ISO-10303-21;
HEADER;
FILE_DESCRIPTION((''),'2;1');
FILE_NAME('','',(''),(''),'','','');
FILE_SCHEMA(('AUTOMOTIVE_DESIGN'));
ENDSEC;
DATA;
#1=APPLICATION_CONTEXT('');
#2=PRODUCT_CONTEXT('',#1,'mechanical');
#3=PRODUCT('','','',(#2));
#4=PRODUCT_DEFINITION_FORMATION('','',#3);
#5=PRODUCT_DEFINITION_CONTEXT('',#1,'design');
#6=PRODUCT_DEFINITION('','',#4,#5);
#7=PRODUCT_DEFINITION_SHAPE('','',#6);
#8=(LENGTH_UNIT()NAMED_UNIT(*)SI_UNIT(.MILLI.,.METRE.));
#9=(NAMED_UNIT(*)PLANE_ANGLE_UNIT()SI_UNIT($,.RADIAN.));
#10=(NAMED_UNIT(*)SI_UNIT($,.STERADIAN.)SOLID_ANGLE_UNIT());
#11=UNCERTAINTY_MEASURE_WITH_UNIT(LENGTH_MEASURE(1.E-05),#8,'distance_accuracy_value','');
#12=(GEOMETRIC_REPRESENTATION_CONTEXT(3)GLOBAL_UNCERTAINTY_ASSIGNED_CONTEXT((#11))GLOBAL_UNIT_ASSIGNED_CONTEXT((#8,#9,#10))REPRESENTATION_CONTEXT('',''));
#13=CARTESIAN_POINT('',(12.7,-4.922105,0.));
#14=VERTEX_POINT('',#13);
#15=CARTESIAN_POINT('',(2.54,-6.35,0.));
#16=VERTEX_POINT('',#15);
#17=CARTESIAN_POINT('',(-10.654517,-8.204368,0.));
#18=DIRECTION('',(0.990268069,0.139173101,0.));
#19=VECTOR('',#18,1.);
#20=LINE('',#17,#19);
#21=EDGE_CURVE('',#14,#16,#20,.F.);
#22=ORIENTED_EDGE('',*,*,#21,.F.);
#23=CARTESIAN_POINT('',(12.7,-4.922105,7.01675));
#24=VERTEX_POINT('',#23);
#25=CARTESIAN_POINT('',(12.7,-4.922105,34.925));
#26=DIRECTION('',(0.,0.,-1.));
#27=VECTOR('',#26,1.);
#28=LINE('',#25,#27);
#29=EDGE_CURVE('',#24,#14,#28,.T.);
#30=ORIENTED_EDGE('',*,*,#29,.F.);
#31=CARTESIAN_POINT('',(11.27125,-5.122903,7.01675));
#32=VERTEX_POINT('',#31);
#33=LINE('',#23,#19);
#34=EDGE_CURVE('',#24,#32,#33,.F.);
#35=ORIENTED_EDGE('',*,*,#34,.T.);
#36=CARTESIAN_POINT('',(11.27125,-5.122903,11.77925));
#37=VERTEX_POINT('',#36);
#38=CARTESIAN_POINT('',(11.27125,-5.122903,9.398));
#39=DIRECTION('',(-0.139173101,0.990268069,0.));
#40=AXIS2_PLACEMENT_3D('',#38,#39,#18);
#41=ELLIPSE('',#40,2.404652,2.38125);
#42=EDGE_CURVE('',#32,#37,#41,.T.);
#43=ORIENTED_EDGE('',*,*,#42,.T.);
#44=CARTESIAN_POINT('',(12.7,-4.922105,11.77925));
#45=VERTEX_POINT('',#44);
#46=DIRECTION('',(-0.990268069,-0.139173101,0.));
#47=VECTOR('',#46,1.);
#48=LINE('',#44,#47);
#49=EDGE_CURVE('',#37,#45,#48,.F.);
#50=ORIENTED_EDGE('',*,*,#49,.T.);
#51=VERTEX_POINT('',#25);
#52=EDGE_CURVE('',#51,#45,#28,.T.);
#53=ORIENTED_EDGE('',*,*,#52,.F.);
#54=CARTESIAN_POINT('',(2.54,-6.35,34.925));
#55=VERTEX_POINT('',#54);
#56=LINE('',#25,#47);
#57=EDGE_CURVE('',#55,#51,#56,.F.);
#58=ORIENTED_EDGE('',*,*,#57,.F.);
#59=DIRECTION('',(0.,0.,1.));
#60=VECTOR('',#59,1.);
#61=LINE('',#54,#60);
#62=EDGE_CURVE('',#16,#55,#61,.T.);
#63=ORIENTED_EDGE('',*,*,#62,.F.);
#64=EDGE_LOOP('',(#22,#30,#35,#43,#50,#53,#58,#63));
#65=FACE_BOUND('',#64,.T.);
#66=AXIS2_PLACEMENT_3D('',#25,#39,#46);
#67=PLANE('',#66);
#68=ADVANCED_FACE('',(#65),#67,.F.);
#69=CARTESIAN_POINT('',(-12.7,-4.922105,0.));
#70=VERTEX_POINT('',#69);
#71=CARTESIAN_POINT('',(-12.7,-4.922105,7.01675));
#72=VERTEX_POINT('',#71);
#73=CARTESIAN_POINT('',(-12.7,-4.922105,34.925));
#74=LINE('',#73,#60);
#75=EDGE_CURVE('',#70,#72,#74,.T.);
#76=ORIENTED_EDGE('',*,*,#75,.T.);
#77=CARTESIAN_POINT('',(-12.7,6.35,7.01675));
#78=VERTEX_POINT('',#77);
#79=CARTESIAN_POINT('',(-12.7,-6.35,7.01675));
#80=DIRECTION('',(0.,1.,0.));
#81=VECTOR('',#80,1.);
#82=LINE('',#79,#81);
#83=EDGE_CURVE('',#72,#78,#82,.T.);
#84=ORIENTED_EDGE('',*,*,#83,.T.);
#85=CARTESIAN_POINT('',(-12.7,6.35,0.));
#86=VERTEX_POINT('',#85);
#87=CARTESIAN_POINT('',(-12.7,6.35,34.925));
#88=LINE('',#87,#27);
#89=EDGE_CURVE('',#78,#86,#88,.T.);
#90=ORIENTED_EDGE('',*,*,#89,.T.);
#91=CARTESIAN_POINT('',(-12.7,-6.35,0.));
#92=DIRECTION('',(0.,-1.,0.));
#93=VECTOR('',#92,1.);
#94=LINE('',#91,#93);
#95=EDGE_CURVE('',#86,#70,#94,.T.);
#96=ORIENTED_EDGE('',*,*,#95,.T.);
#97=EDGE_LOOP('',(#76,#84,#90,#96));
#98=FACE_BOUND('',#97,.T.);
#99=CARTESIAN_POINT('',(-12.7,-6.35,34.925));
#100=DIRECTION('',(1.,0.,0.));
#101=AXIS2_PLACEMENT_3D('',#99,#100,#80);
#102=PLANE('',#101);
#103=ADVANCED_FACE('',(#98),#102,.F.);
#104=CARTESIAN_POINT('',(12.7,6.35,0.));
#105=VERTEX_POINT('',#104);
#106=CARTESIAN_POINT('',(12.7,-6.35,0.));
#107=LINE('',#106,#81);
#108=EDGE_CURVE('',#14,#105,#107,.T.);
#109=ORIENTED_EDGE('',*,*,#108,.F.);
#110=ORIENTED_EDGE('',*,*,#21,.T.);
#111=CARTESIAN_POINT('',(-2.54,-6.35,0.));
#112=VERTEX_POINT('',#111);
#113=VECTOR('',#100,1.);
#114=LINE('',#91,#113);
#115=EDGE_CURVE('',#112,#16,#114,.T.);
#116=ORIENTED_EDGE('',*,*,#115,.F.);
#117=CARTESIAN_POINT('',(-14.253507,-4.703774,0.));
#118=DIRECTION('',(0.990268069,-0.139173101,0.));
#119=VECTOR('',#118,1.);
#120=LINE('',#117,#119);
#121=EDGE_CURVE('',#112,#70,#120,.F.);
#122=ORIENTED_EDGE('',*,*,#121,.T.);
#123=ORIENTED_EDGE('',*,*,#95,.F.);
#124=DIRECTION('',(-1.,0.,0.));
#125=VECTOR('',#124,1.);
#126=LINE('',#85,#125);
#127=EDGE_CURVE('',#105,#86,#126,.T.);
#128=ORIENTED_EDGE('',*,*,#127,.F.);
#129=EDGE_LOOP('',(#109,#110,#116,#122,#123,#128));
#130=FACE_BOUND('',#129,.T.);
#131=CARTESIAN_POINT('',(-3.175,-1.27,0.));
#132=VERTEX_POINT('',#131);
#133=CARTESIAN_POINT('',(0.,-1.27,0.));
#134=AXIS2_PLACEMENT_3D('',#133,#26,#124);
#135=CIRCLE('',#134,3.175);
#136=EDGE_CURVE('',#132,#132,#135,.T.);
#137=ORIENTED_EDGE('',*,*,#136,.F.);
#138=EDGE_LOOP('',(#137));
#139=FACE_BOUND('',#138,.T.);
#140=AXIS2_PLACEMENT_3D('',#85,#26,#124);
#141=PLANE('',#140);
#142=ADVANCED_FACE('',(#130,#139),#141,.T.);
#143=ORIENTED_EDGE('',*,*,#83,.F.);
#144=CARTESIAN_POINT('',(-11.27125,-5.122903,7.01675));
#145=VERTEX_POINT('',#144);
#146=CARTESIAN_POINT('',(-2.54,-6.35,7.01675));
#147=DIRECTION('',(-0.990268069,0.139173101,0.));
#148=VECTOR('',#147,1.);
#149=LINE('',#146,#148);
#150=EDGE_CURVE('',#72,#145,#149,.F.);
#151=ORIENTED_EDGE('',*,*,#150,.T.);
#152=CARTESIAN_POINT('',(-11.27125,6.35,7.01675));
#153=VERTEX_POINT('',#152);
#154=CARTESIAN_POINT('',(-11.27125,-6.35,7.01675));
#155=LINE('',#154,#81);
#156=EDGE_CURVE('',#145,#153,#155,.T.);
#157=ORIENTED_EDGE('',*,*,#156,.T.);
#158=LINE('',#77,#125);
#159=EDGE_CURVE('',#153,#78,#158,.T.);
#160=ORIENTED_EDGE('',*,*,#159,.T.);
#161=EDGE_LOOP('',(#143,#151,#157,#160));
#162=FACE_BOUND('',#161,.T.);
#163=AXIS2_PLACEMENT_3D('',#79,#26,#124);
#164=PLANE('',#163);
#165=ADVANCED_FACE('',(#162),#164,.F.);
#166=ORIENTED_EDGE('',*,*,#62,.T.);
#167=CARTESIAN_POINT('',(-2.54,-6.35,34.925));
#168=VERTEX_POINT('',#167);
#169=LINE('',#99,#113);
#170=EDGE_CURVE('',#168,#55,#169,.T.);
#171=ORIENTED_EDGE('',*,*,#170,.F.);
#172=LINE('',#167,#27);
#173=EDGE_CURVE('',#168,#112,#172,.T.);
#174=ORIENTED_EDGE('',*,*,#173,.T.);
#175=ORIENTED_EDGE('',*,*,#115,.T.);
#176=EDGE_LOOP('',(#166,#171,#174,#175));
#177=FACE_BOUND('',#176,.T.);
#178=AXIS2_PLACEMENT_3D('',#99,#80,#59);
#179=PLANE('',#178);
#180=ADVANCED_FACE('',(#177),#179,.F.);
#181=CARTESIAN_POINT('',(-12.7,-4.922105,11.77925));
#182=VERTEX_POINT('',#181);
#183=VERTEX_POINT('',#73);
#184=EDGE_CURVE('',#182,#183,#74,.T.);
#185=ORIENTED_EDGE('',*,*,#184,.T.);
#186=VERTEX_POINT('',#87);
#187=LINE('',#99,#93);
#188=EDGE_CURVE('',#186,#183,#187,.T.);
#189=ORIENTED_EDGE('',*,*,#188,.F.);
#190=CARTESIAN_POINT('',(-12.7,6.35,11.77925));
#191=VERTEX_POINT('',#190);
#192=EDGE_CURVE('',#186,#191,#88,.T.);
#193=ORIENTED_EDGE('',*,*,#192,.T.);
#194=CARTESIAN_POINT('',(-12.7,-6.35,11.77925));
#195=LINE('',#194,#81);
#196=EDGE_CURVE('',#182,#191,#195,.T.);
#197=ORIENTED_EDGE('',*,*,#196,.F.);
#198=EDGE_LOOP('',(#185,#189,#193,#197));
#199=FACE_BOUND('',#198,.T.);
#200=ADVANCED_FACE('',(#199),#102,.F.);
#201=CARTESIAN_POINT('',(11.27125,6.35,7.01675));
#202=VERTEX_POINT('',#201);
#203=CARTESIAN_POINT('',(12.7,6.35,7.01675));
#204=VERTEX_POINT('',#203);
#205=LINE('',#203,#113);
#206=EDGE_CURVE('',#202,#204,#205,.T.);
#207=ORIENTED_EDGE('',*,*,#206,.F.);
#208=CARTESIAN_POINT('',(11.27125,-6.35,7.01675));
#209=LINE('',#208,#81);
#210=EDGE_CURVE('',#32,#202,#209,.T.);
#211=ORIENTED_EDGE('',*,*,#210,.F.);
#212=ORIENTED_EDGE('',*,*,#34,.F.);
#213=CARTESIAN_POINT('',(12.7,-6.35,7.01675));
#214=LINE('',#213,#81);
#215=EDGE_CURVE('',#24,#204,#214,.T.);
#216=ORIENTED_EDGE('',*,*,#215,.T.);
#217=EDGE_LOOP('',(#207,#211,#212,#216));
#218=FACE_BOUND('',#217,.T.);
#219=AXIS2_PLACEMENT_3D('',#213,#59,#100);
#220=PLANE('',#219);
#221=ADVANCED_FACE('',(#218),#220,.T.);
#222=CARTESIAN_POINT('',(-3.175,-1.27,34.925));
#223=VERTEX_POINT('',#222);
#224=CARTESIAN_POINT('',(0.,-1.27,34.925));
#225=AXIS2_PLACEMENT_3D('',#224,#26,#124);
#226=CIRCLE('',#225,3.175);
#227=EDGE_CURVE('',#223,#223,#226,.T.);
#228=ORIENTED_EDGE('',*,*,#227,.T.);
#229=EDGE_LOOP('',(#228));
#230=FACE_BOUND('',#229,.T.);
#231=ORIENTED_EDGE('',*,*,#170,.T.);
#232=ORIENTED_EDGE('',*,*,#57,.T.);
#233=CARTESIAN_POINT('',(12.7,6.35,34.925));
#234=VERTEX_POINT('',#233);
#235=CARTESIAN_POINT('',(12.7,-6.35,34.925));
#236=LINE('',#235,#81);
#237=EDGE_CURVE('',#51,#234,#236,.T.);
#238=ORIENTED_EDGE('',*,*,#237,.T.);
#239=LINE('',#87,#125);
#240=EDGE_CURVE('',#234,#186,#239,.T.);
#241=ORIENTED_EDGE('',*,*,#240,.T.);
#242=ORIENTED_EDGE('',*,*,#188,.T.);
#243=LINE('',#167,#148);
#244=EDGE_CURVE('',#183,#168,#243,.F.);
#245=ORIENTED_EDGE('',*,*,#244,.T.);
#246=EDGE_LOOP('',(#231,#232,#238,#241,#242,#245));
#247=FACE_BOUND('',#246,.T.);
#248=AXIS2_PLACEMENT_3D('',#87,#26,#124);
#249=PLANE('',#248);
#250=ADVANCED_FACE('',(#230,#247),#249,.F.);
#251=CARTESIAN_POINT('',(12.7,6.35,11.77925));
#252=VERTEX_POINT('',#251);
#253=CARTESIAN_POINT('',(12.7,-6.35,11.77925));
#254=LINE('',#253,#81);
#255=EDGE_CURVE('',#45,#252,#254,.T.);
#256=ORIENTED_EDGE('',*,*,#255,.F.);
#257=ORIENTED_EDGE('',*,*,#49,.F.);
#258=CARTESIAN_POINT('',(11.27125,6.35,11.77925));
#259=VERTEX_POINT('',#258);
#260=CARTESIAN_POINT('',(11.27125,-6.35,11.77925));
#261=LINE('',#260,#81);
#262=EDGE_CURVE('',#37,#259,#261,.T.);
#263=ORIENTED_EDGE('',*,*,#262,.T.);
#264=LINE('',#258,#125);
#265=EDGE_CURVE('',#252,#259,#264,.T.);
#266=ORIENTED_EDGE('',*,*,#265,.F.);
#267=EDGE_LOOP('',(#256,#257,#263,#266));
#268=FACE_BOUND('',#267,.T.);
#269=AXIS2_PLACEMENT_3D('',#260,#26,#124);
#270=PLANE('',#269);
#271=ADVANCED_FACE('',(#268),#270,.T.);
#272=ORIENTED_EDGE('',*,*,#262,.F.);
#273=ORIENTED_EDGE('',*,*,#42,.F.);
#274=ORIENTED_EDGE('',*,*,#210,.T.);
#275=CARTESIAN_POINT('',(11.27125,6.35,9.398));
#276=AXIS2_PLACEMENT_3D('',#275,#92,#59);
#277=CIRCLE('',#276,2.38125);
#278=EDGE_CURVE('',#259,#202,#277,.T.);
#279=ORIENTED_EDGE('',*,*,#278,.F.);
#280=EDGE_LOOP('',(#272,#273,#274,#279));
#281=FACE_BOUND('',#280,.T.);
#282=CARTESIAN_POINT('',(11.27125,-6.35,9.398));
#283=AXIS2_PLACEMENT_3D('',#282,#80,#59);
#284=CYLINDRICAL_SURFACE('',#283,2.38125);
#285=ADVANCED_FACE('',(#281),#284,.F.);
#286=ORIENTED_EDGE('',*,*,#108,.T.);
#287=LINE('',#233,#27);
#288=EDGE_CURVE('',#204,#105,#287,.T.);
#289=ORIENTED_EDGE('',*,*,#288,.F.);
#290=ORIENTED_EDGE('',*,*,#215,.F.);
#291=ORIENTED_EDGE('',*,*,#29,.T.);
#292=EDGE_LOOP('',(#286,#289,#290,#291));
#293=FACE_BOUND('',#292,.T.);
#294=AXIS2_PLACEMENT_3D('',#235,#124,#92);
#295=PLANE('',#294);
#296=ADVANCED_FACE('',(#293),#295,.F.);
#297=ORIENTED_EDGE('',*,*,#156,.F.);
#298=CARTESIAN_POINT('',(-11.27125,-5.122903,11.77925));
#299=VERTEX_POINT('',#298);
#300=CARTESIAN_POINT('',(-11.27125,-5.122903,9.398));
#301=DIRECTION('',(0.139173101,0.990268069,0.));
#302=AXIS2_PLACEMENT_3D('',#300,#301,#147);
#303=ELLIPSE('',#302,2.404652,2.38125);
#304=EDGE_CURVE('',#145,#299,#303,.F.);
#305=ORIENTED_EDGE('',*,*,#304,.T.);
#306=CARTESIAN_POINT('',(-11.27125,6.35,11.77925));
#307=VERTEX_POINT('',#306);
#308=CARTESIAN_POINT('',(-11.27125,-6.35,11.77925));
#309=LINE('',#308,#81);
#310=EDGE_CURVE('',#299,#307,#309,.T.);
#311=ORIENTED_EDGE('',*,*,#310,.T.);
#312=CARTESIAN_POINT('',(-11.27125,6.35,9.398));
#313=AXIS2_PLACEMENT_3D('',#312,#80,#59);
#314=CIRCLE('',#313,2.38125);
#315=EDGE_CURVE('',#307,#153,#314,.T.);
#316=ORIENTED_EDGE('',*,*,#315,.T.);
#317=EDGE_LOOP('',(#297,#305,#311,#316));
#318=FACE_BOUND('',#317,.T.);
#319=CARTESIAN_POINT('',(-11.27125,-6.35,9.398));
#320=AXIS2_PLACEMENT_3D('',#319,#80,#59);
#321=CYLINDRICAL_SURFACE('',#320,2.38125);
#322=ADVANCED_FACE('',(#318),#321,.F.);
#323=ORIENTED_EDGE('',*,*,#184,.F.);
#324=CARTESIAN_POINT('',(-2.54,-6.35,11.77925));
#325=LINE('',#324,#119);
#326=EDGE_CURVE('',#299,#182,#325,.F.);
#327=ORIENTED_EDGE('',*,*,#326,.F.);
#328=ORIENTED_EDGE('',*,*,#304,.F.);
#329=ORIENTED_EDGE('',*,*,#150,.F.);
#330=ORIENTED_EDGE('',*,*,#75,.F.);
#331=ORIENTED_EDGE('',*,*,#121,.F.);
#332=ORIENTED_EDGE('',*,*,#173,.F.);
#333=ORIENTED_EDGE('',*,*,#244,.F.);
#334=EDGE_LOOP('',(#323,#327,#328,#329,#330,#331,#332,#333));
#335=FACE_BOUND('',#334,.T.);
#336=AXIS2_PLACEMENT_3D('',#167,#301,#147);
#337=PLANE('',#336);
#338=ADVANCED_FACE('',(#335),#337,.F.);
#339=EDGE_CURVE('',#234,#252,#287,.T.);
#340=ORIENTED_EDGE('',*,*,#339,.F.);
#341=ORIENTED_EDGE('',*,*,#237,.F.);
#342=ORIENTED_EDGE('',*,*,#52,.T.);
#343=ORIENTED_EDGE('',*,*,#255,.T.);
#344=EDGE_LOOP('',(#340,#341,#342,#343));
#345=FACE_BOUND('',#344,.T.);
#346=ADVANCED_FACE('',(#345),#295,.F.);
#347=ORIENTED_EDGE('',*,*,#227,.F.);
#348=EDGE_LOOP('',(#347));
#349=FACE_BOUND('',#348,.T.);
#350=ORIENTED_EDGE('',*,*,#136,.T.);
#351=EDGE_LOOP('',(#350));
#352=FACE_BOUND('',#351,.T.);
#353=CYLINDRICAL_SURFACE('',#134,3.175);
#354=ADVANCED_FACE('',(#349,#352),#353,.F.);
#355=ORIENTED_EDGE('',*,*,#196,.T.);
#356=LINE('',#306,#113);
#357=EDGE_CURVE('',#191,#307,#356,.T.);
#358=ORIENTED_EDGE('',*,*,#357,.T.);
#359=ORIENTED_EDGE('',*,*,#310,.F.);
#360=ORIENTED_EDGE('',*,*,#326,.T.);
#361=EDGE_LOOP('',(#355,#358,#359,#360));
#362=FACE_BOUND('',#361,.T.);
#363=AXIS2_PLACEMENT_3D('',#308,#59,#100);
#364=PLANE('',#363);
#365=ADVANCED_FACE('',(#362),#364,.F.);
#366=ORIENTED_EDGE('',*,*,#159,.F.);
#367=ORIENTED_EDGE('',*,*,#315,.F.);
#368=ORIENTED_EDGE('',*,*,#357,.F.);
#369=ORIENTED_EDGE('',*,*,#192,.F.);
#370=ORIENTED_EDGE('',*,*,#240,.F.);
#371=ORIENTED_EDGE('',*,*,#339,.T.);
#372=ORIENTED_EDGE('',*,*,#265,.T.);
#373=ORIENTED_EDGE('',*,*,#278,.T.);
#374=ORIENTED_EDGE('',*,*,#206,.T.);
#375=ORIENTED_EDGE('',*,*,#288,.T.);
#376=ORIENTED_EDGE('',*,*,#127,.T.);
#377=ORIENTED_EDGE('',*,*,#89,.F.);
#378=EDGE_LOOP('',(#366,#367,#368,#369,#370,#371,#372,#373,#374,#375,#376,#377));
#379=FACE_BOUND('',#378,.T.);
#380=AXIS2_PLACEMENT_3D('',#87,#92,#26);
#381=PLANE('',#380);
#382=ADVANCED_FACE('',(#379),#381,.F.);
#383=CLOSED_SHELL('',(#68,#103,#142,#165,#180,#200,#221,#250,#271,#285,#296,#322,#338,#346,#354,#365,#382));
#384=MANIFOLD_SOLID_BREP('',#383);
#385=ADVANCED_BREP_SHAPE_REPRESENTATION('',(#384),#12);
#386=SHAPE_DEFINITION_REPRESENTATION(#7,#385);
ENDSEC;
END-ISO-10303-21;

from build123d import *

# Parameters (mm, degrees)
SKETCH1_W                   = 25.4
SKETCH1_H                   = 12.7
EXTRUDE1_DEPTH              = 34.925
CHAMFER1_SIZE               = 10.16
CHAMFER1_SIZE2              = 1.427894881
F_1_4_0_25_DIAMETER_HOLE1_D = 6.35
EXTRUDE2_DEPTH              = 13.7


with BuildPart() as part:
    # Sketch1 → Extrude1 (new body)
    with BuildSketch(Plane.XY):
        Rectangle(SKETCH1_W, SKETCH1_H)
    extrude(amount=EXTRUDE1_DEPTH)

    # Chamfer1
    chamfer1_edges = [part.edges().sort_by_distance(p)[0] for p in [
        (12.7, -6.35, 17.4625),
        (-12.7, -6.35, 17.4625),
    ]]
    chamfer1_side = [part.faces().sort_by_distance(p)[0] for p in [
        (0, -6.35, 17.4625),
    ]]
    chamfer(chamfer1_edges, length=CHAMFER1_SIZE, length2=CHAMFER1_SIZE2, reference=chamfer1_side[0])

    # 1/4 (0.25) Diameter Hole1 (through all)
    with Locations(Plane(origin=(0, 0, 0), x_dir=(-1, 0, 0), z_dir=(0, 0, -1))):
        with Locations((0, -1.27)):
            Hole(F_1_4_0_25_DIAMETER_HOLE1_D / 2)

    # Sketch5 → Extrude2 (cut, through all)
    with BuildSketch(Plane(origin=(0, 6.35, 0), x_dir=(1, 0, 0), z_dir=(0, 1, 0))):
        with BuildLine():
            Line((-11.27125, -11.77925), (-12.7, -11.77925))
            Line((-12.7, -11.77925), (-12.7, -7.01675))
            Line((-12.7, -7.01675), (-11.27125, -7.01675))
            ThreePointArc((-11.27125, -7.01675), (-8.89, -9.398), (-11.27125, -11.77925))
        make_face()
    extrude2 = extrude(amount=-EXTRUDE2_DEPTH, mode=Mode.SUBTRACT)

    # Mirror1: Extrude2 across plane
    add(extrude2.mirror(Plane(origin=(0, 0, 0), x_dir=(0, 0, 1), z_dir=(1, 0, 0))), mode=Mode.SUBTRACT)


solid = part.part
